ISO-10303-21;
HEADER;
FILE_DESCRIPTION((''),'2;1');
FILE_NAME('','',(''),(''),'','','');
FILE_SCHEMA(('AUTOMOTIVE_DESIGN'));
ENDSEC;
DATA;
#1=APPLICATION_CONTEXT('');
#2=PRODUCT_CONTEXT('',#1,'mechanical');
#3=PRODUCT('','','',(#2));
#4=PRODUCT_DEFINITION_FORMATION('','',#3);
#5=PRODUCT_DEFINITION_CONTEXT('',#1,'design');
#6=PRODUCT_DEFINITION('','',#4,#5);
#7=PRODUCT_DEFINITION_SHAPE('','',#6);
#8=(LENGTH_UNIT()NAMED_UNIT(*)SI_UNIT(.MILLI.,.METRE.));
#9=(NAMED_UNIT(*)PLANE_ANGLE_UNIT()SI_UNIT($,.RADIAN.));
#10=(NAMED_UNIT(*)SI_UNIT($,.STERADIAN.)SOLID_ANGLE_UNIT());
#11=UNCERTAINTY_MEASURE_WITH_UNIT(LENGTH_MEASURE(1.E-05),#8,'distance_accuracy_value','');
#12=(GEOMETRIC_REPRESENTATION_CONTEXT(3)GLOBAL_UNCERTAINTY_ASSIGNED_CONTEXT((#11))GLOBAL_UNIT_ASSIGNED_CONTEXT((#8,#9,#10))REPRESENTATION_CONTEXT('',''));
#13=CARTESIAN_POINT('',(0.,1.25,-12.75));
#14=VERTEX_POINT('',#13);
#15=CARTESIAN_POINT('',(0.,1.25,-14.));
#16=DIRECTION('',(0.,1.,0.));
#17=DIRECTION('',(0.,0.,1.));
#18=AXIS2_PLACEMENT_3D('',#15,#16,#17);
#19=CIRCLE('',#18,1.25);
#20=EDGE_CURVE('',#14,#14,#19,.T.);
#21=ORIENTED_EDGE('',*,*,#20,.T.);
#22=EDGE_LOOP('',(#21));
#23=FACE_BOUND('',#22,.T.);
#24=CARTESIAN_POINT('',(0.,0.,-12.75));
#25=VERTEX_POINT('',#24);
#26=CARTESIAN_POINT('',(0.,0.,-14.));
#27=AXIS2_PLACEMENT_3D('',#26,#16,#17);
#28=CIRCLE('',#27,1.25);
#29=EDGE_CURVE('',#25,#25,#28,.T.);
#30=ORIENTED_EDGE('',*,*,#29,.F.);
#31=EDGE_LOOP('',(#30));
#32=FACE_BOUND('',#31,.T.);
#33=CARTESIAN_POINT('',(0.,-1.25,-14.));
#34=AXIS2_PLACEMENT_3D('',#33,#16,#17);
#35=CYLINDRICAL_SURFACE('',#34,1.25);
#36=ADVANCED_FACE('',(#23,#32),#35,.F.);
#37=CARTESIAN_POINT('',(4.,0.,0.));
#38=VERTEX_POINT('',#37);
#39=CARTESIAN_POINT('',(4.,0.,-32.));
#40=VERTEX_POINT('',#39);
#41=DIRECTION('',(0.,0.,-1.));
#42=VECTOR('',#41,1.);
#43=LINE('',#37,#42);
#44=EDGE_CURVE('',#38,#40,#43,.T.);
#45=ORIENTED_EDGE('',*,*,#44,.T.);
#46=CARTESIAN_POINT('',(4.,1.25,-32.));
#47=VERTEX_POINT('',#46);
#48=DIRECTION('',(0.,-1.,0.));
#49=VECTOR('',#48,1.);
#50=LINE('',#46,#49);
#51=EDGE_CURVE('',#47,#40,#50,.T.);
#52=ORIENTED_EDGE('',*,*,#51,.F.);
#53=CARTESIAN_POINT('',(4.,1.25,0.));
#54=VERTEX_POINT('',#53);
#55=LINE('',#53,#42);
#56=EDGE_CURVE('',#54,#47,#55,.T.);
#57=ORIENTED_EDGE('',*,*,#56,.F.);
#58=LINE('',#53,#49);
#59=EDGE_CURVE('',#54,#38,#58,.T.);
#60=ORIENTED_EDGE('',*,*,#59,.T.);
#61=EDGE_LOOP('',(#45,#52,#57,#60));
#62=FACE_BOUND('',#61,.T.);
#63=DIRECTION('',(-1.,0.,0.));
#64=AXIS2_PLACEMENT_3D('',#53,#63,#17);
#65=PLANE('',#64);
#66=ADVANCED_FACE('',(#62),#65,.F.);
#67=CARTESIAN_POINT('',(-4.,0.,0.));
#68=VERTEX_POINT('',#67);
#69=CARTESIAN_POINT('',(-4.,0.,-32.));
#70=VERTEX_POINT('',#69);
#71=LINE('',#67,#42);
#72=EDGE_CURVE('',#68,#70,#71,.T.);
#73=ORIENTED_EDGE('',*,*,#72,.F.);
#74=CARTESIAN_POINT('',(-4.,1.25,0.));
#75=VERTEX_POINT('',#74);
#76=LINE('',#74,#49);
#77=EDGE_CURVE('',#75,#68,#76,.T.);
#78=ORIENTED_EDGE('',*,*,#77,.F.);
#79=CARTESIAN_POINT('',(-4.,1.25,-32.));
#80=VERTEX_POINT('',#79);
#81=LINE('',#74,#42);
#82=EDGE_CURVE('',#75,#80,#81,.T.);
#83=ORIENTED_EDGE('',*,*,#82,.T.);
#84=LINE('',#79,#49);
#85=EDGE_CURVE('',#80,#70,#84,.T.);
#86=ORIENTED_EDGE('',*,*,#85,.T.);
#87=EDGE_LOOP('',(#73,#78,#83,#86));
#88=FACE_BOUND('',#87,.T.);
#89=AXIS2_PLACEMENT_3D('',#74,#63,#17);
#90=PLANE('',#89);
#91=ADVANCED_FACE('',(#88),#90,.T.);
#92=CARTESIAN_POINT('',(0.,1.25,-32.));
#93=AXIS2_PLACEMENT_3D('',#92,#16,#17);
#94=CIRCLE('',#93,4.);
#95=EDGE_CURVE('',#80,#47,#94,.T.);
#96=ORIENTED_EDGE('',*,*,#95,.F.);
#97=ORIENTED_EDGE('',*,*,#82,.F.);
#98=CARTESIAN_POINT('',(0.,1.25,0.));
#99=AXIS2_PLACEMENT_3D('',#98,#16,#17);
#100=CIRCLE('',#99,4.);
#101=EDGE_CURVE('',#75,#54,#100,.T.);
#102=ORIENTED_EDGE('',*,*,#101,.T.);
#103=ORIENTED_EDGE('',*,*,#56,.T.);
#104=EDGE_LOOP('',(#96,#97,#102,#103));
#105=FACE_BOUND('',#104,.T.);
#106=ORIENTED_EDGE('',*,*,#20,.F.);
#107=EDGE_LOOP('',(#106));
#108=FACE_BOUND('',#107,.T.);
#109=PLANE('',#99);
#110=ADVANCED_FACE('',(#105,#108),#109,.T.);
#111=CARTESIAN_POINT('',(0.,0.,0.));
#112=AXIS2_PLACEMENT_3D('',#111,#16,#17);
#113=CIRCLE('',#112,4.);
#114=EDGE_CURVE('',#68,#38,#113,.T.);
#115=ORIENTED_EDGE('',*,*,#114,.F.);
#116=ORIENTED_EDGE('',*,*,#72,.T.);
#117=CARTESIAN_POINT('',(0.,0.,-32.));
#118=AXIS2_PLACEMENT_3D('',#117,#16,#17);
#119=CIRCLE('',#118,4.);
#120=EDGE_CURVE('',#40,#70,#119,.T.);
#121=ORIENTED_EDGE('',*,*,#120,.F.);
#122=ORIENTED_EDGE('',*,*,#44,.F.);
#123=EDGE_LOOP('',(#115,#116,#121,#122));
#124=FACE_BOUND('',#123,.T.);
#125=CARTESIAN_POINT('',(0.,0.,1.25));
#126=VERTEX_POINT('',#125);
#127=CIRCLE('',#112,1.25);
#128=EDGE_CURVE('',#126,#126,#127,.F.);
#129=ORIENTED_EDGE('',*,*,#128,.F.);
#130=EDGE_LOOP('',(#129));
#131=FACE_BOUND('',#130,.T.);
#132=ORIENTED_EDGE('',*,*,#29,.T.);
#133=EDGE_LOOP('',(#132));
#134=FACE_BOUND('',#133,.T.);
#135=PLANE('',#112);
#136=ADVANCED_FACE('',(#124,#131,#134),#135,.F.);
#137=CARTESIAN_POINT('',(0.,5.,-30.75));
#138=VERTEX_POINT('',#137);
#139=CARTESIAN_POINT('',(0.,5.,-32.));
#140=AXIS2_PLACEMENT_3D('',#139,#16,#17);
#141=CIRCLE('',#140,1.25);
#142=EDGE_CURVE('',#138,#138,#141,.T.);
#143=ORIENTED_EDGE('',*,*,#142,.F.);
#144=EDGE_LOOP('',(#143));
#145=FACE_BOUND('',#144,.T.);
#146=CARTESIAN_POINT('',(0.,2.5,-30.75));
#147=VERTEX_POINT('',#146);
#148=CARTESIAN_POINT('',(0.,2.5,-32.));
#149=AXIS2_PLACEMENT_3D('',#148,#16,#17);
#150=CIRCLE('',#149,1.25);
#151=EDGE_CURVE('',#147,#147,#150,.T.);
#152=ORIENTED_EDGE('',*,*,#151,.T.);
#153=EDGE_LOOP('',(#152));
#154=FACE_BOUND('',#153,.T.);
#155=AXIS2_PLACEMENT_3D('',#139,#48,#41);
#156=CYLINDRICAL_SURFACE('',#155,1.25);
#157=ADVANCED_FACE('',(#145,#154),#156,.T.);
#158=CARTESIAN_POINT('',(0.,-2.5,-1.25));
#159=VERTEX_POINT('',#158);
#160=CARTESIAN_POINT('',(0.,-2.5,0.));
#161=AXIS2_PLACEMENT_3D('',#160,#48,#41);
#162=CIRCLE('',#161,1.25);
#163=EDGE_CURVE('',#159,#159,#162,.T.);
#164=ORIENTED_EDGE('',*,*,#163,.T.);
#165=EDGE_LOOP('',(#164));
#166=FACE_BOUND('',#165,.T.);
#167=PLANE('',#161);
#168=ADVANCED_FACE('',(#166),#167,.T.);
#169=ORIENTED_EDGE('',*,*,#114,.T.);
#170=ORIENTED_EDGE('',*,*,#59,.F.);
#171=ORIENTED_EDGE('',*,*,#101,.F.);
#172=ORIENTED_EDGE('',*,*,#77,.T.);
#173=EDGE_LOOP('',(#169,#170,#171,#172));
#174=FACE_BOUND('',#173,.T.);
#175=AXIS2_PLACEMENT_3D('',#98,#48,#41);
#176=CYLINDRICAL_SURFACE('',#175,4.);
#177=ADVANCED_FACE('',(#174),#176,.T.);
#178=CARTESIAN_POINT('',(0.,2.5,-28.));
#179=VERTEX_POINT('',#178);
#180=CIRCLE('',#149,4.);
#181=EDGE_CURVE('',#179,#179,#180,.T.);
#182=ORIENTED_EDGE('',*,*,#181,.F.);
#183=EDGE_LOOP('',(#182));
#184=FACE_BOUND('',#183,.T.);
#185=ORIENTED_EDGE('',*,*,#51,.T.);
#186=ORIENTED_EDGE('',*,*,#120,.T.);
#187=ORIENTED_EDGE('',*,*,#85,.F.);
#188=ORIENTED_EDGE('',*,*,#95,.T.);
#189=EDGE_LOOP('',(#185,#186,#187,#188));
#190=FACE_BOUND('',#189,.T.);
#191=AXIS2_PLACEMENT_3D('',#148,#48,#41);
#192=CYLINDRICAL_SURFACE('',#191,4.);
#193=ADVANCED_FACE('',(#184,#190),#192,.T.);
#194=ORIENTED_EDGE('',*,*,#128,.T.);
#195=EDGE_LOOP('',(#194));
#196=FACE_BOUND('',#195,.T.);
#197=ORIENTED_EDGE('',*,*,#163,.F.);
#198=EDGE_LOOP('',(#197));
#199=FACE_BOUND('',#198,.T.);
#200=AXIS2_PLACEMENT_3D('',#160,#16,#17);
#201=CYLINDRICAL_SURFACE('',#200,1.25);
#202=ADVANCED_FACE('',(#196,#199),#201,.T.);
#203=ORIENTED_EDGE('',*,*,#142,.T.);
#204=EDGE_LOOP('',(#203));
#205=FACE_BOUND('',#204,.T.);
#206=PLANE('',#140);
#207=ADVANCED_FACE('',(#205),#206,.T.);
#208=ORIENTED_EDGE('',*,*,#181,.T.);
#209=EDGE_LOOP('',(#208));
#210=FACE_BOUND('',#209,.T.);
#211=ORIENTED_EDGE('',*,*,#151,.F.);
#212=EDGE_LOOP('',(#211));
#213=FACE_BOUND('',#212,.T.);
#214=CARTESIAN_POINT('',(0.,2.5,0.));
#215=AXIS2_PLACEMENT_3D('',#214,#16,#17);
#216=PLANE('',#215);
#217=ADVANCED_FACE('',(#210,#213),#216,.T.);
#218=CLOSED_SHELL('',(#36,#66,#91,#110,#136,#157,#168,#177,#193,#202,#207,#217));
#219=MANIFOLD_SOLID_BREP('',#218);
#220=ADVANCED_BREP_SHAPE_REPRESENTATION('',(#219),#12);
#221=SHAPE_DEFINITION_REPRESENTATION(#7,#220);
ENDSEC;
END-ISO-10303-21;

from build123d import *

# Parameters (mm, degrees)
BOSS_EXTRUDE1_DEPTH = 2.5
BOSS_EXTRUDE5_DEPTH = 1.25
SKETCH6_R           = 1.25
BOSS_EXTRUDE6_DEPTH = 2.5
SKETCH7_R           = 1.25
BOSS_EXTRUDE7_DEPTH = 2.5
SKETCH8_R           = 1.25
CUT_EXTRUDE3_DEPTH  = 2.5


with BuildPart() as part:
    # Sketch1 → Boss-Extrude1 (new body)
    with BuildSketch(Plane(origin=(0, 0, 0), x_dir=(1, 0, 0), z_dir=(0, 1, 0))):
        with BuildLine():
            ThreePointArc((4, 32), (0, 36), (-4, 32))
            ThreePointArc((-4, 32), (0, 28), (4, 32))
        make_face()
    extrude(amount=BOSS_EXTRUDE1_DEPTH)

    # Sketch1<4> → Boss-Extrude5 (add)
    with BuildSketch(Plane(origin=(0, 0, 0), x_dir=(1, 0, 0), z_dir=(0, 1, 0))):
        with BuildLine():
            Line((-4, 32), (-4, 0))
            ThreePointArc((-4, 0), (0, -4), (4, 0))
            Line((4, 0), (4, 32))
            ThreePointArc((4, 32), (0, 28), (-4, 32))
        make_face()
    extrude(amount=BOSS_EXTRUDE5_DEPTH)

    # Sketch6 → Boss-Extrude6 (add)
    with BuildSketch(Plane(origin=(0, 2.5, 0), x_dir=(1, 0, 0), z_dir=(0, 1, 0))):
        with Locations((0, 32)):
            Circle(SKETCH6_R)
    extrude(amount=BOSS_EXTRUDE6_DEPTH)

    # Sketch7 → Boss-Extrude7 (add)
    with BuildSketch(Plane.XZ):
        Circle(SKETCH7_R)
    extrude(amount=BOSS_EXTRUDE7_DEPTH)

    # Sketch8 → Cut-Extrude3 (cut)
    with BuildSketch(Plane(origin=(0, 1.25, 0), x_dir=(1, 0, 0), z_dir=(0, 1, 0))):
        with Locations((0, 14)):
            Circle(SKETCH8_R)
    extrude(amount=-CUT_EXTRUDE3_DEPTH, mode=Mode.SUBTRACT)


solid = part.part
